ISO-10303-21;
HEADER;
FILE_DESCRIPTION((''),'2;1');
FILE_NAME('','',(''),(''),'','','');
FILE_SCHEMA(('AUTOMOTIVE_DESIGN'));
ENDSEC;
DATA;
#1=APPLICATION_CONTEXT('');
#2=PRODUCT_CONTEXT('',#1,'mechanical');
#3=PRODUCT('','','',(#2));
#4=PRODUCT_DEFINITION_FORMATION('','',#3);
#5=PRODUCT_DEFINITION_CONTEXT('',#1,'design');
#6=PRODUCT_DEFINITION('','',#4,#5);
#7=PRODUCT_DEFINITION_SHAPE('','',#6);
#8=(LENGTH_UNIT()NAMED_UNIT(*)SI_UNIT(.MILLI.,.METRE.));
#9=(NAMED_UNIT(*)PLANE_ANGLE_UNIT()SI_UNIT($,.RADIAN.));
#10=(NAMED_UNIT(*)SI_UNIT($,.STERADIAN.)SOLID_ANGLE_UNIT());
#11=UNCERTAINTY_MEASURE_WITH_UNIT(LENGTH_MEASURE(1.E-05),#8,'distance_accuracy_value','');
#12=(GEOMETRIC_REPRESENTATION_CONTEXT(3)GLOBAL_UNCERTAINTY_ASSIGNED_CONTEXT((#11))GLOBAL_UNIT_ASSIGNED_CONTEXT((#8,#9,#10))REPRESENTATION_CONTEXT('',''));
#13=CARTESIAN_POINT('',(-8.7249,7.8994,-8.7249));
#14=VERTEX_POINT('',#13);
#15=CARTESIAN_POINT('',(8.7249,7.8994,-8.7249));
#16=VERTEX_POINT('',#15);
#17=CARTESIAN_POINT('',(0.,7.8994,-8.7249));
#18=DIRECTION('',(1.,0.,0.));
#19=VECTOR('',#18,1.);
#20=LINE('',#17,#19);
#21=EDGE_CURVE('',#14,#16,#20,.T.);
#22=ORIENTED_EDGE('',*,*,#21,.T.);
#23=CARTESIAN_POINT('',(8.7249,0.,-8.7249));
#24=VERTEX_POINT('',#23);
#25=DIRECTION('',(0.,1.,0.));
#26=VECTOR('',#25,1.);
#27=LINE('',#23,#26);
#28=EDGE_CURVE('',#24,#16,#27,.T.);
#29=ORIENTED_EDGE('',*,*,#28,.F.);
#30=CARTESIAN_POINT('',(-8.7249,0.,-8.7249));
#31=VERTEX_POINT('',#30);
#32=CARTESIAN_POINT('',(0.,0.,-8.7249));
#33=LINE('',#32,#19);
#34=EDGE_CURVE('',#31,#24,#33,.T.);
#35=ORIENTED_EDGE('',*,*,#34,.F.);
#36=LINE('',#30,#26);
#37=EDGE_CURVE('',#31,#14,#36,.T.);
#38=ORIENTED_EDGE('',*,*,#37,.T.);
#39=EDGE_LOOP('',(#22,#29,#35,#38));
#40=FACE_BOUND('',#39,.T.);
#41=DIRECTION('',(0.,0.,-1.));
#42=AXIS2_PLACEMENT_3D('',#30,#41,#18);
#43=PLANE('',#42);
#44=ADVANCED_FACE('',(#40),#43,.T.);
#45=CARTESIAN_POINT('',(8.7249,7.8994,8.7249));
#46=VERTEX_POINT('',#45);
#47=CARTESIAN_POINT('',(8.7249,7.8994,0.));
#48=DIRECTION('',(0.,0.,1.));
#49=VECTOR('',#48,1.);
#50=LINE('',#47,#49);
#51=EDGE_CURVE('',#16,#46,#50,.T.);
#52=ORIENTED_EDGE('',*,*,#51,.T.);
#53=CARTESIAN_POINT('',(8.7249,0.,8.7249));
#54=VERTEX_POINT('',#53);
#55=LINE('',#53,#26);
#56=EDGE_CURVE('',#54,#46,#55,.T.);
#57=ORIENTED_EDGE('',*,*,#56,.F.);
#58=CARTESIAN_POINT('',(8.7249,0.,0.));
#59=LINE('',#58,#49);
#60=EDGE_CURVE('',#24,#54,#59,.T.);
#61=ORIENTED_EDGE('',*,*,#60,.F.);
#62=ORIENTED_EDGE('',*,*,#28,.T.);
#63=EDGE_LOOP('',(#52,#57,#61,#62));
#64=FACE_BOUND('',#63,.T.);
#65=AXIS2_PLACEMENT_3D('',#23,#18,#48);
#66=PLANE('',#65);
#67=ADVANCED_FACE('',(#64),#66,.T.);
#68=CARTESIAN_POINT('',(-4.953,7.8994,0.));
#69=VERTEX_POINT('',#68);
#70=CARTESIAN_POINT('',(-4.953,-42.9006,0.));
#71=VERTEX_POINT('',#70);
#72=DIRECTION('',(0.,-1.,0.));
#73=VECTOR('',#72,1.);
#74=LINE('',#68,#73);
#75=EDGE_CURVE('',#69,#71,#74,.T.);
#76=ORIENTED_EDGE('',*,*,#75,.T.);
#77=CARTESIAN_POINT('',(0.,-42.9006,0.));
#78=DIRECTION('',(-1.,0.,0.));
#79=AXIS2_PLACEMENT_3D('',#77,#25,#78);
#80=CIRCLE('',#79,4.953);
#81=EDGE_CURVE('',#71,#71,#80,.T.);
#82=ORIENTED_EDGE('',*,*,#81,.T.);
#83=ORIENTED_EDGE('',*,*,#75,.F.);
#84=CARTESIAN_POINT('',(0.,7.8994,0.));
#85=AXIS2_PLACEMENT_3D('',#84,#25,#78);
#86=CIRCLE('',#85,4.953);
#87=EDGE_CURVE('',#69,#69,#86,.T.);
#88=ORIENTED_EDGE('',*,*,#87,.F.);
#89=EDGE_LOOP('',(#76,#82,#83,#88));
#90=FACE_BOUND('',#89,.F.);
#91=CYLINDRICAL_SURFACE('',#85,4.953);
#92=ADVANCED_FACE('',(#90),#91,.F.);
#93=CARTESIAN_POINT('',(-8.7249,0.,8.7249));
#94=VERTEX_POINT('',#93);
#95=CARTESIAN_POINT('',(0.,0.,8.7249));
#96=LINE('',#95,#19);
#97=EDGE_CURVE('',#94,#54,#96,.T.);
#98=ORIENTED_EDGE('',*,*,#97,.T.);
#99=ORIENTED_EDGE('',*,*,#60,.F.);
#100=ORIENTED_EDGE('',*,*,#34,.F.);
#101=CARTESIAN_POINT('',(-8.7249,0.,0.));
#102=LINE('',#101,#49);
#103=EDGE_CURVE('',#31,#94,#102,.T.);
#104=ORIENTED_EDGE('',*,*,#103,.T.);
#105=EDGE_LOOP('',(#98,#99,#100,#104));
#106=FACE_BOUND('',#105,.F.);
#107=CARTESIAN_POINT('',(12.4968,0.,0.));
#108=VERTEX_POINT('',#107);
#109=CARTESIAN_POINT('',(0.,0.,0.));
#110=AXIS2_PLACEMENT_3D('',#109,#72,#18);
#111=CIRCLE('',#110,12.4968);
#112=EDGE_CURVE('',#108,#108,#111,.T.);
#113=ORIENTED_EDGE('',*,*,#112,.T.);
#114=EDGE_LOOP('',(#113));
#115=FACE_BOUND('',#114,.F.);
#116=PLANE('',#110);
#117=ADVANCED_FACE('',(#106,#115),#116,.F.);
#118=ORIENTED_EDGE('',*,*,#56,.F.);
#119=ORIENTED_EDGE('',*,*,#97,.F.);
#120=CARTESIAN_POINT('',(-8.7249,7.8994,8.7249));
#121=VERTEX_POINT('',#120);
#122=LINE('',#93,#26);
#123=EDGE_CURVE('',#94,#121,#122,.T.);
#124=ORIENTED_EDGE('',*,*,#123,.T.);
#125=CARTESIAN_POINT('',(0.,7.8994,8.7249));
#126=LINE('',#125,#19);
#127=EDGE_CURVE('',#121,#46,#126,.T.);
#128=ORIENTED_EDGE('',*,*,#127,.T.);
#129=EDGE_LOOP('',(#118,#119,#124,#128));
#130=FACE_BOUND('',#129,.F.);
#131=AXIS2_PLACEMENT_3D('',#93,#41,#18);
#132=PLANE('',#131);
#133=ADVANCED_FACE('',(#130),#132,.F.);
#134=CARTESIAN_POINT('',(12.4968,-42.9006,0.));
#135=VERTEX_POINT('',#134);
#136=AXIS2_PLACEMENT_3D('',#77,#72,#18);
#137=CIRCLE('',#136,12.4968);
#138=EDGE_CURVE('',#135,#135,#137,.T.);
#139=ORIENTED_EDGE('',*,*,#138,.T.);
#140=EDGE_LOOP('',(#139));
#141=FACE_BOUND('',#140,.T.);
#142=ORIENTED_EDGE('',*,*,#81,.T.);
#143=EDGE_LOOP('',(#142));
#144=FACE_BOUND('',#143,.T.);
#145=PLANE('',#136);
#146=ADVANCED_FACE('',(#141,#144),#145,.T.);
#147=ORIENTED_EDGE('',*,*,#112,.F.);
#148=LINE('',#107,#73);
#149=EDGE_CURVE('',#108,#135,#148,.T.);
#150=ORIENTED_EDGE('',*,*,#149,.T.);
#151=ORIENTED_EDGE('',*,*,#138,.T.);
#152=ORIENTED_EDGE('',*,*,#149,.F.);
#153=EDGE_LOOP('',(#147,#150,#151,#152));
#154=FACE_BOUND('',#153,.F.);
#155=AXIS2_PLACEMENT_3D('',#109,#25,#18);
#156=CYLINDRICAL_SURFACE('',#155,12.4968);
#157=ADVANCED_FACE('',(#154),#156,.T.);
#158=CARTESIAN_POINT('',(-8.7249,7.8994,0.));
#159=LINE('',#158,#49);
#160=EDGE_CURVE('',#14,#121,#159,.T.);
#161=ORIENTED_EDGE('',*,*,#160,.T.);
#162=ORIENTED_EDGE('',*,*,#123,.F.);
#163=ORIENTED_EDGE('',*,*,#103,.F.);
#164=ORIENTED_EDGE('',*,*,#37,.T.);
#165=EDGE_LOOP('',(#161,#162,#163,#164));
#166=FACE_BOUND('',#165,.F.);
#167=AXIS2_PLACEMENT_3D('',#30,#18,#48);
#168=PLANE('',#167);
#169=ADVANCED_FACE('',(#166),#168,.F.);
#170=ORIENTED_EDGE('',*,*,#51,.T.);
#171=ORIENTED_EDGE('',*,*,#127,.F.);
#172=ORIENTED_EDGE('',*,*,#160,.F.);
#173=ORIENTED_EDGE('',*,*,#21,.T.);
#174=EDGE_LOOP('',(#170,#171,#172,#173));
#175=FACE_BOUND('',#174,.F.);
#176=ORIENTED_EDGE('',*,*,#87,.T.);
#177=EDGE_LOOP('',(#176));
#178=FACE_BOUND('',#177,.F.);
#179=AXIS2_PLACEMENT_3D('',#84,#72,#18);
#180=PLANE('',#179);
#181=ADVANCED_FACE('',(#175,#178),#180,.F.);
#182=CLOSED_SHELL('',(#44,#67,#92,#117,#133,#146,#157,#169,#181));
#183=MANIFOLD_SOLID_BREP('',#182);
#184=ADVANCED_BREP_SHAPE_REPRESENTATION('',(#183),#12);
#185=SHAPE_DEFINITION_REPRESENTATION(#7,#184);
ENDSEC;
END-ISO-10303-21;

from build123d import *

# Parameters (mm, degrees)
F0_R     = 12.4968
F2_DEPTH = 42.9006
F1_W     = 17.4498
F1_H     = 17.4498
F3_DEPTH = 7.8994
F4_R     = 4.953
F5_DEPTH = 76.2


with BuildPart() as f2:
    # F0 (on Front) → F2 (new body)
    with BuildSketch(Plane.XZ):
        Circle(F0_R)
    extrude(amount=F2_DEPTH)

    # F1 (on Front) → F3 (join)
    with BuildSketch(Plane.XZ):
        Rectangle(F1_W, F1_H)
    extrude(amount=-F3_DEPTH)

    # F4 (on face) → F5 (cut)
    with BuildSketch(Plane(origin=(0, 7.8994, 0), x_dir=(-1, 0, 0), z_dir=(0, 1, 0))):
        Circle(F4_R)
    extrude(amount=-F5_DEPTH, mode=Mode.SUBTRACT)


solid = f2.part
